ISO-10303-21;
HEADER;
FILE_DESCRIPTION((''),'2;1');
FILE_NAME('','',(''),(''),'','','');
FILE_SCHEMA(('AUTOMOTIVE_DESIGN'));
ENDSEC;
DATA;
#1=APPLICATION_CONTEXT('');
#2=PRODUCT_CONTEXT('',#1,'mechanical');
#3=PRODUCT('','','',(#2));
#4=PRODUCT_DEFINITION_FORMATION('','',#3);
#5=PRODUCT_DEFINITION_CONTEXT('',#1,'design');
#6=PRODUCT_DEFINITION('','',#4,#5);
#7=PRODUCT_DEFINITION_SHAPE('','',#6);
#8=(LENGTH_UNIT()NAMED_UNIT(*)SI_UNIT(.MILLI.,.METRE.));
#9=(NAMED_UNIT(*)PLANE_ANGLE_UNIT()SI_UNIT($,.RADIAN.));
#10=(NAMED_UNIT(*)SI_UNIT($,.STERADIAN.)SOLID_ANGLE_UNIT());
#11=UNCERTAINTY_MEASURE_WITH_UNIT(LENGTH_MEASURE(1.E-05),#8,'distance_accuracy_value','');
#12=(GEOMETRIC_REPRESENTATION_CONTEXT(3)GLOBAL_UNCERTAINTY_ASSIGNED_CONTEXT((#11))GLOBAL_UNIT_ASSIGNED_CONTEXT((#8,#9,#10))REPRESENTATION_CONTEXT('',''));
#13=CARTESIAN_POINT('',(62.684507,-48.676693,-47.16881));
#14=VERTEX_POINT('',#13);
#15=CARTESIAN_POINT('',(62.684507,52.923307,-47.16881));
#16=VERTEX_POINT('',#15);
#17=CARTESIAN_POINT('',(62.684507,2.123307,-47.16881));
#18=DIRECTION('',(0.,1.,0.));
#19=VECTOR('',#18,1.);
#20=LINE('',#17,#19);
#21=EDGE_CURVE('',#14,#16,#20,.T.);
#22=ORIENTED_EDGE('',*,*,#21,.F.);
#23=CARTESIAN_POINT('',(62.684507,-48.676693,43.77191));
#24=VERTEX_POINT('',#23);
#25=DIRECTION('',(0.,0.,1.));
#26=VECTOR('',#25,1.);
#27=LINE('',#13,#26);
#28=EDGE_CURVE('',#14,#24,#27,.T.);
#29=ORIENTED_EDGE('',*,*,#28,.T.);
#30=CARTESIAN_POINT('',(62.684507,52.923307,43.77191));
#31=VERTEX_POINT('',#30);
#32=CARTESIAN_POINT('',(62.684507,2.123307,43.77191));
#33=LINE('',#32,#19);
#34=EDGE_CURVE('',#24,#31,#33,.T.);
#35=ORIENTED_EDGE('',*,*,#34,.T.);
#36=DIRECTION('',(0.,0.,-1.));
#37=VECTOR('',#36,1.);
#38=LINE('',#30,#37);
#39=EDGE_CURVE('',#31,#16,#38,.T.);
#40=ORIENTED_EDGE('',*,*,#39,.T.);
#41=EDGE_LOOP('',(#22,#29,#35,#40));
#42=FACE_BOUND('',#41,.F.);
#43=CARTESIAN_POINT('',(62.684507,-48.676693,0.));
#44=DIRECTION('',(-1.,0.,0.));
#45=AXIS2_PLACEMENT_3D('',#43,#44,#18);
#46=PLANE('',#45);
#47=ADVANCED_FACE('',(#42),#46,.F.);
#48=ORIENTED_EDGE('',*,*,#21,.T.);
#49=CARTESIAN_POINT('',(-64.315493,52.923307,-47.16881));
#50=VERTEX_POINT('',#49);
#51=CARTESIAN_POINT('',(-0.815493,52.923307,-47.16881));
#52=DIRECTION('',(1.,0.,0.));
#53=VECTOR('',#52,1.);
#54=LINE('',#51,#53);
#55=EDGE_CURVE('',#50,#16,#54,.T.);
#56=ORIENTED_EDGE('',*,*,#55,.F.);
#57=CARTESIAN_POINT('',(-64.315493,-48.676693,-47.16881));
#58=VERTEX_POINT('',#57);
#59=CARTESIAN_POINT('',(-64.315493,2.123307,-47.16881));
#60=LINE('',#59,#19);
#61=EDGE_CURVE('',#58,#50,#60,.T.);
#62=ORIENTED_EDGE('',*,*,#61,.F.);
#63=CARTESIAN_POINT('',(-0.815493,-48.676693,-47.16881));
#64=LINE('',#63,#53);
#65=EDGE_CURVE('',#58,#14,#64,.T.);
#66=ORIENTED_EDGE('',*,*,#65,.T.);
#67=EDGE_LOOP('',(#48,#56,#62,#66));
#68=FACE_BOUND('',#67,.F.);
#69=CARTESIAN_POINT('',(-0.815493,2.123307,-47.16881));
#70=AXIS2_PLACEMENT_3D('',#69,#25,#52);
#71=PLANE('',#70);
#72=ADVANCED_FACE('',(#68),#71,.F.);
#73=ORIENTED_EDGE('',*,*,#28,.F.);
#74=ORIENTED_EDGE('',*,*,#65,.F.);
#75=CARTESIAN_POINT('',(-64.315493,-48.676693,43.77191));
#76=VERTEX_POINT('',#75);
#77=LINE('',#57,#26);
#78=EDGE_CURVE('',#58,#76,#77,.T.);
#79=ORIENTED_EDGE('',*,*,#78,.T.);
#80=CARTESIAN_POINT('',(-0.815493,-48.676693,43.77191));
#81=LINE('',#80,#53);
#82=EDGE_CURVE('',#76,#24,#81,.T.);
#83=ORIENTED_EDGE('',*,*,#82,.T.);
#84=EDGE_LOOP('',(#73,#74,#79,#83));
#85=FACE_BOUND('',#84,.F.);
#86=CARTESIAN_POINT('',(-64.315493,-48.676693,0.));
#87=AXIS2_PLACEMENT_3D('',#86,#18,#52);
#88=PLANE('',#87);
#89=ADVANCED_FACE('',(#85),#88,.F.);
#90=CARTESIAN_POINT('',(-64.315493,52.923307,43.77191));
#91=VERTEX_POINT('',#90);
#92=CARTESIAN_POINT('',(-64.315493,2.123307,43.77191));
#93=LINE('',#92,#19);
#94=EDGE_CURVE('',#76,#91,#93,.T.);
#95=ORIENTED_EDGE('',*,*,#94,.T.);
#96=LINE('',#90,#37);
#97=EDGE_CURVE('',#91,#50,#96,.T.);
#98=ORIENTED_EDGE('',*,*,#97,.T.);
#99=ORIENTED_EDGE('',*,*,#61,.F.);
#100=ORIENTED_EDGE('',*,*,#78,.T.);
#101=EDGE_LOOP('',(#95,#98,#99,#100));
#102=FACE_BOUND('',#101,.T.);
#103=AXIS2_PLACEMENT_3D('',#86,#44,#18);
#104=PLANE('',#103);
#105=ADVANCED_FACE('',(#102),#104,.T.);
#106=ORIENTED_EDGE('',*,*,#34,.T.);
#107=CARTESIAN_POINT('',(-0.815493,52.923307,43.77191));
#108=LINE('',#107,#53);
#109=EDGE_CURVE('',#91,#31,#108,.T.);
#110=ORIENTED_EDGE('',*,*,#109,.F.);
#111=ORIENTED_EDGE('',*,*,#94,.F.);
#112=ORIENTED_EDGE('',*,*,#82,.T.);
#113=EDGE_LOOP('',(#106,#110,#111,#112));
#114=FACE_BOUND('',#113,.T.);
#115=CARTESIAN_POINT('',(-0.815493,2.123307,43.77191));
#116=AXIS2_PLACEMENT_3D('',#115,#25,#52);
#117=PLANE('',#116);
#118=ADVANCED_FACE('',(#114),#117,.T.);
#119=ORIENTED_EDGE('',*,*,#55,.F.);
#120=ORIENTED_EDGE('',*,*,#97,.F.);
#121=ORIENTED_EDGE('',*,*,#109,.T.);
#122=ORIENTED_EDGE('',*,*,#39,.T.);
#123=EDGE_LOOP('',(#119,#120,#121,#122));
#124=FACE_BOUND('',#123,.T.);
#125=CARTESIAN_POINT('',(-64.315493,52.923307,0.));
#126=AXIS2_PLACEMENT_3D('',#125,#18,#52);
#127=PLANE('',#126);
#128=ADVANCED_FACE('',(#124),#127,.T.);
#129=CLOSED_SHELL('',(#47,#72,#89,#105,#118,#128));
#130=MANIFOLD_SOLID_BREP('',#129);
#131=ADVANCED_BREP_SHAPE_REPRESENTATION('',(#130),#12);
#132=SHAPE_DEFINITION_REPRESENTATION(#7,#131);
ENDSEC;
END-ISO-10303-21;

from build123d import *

# Parameters (mm, degrees)
F0_W          = 127
F0_H          = 101.6
F1_DEPTH      = 47.16881
F1_DEPTH_BACK = 43.77191


with BuildPart() as f1:
    # F0 (on Top) → F1 (new body, two sides)
    with BuildSketch(Plane.XY) as f1_sk:
        with Locations((-0.8154930635, 2.1233074367)):
            Rectangle(F0_W, F0_H)
    extrude(amount=-F1_DEPTH)
    extrude(f1_sk.sketch, amount=F1_DEPTH_BACK)


solid = f1.part
